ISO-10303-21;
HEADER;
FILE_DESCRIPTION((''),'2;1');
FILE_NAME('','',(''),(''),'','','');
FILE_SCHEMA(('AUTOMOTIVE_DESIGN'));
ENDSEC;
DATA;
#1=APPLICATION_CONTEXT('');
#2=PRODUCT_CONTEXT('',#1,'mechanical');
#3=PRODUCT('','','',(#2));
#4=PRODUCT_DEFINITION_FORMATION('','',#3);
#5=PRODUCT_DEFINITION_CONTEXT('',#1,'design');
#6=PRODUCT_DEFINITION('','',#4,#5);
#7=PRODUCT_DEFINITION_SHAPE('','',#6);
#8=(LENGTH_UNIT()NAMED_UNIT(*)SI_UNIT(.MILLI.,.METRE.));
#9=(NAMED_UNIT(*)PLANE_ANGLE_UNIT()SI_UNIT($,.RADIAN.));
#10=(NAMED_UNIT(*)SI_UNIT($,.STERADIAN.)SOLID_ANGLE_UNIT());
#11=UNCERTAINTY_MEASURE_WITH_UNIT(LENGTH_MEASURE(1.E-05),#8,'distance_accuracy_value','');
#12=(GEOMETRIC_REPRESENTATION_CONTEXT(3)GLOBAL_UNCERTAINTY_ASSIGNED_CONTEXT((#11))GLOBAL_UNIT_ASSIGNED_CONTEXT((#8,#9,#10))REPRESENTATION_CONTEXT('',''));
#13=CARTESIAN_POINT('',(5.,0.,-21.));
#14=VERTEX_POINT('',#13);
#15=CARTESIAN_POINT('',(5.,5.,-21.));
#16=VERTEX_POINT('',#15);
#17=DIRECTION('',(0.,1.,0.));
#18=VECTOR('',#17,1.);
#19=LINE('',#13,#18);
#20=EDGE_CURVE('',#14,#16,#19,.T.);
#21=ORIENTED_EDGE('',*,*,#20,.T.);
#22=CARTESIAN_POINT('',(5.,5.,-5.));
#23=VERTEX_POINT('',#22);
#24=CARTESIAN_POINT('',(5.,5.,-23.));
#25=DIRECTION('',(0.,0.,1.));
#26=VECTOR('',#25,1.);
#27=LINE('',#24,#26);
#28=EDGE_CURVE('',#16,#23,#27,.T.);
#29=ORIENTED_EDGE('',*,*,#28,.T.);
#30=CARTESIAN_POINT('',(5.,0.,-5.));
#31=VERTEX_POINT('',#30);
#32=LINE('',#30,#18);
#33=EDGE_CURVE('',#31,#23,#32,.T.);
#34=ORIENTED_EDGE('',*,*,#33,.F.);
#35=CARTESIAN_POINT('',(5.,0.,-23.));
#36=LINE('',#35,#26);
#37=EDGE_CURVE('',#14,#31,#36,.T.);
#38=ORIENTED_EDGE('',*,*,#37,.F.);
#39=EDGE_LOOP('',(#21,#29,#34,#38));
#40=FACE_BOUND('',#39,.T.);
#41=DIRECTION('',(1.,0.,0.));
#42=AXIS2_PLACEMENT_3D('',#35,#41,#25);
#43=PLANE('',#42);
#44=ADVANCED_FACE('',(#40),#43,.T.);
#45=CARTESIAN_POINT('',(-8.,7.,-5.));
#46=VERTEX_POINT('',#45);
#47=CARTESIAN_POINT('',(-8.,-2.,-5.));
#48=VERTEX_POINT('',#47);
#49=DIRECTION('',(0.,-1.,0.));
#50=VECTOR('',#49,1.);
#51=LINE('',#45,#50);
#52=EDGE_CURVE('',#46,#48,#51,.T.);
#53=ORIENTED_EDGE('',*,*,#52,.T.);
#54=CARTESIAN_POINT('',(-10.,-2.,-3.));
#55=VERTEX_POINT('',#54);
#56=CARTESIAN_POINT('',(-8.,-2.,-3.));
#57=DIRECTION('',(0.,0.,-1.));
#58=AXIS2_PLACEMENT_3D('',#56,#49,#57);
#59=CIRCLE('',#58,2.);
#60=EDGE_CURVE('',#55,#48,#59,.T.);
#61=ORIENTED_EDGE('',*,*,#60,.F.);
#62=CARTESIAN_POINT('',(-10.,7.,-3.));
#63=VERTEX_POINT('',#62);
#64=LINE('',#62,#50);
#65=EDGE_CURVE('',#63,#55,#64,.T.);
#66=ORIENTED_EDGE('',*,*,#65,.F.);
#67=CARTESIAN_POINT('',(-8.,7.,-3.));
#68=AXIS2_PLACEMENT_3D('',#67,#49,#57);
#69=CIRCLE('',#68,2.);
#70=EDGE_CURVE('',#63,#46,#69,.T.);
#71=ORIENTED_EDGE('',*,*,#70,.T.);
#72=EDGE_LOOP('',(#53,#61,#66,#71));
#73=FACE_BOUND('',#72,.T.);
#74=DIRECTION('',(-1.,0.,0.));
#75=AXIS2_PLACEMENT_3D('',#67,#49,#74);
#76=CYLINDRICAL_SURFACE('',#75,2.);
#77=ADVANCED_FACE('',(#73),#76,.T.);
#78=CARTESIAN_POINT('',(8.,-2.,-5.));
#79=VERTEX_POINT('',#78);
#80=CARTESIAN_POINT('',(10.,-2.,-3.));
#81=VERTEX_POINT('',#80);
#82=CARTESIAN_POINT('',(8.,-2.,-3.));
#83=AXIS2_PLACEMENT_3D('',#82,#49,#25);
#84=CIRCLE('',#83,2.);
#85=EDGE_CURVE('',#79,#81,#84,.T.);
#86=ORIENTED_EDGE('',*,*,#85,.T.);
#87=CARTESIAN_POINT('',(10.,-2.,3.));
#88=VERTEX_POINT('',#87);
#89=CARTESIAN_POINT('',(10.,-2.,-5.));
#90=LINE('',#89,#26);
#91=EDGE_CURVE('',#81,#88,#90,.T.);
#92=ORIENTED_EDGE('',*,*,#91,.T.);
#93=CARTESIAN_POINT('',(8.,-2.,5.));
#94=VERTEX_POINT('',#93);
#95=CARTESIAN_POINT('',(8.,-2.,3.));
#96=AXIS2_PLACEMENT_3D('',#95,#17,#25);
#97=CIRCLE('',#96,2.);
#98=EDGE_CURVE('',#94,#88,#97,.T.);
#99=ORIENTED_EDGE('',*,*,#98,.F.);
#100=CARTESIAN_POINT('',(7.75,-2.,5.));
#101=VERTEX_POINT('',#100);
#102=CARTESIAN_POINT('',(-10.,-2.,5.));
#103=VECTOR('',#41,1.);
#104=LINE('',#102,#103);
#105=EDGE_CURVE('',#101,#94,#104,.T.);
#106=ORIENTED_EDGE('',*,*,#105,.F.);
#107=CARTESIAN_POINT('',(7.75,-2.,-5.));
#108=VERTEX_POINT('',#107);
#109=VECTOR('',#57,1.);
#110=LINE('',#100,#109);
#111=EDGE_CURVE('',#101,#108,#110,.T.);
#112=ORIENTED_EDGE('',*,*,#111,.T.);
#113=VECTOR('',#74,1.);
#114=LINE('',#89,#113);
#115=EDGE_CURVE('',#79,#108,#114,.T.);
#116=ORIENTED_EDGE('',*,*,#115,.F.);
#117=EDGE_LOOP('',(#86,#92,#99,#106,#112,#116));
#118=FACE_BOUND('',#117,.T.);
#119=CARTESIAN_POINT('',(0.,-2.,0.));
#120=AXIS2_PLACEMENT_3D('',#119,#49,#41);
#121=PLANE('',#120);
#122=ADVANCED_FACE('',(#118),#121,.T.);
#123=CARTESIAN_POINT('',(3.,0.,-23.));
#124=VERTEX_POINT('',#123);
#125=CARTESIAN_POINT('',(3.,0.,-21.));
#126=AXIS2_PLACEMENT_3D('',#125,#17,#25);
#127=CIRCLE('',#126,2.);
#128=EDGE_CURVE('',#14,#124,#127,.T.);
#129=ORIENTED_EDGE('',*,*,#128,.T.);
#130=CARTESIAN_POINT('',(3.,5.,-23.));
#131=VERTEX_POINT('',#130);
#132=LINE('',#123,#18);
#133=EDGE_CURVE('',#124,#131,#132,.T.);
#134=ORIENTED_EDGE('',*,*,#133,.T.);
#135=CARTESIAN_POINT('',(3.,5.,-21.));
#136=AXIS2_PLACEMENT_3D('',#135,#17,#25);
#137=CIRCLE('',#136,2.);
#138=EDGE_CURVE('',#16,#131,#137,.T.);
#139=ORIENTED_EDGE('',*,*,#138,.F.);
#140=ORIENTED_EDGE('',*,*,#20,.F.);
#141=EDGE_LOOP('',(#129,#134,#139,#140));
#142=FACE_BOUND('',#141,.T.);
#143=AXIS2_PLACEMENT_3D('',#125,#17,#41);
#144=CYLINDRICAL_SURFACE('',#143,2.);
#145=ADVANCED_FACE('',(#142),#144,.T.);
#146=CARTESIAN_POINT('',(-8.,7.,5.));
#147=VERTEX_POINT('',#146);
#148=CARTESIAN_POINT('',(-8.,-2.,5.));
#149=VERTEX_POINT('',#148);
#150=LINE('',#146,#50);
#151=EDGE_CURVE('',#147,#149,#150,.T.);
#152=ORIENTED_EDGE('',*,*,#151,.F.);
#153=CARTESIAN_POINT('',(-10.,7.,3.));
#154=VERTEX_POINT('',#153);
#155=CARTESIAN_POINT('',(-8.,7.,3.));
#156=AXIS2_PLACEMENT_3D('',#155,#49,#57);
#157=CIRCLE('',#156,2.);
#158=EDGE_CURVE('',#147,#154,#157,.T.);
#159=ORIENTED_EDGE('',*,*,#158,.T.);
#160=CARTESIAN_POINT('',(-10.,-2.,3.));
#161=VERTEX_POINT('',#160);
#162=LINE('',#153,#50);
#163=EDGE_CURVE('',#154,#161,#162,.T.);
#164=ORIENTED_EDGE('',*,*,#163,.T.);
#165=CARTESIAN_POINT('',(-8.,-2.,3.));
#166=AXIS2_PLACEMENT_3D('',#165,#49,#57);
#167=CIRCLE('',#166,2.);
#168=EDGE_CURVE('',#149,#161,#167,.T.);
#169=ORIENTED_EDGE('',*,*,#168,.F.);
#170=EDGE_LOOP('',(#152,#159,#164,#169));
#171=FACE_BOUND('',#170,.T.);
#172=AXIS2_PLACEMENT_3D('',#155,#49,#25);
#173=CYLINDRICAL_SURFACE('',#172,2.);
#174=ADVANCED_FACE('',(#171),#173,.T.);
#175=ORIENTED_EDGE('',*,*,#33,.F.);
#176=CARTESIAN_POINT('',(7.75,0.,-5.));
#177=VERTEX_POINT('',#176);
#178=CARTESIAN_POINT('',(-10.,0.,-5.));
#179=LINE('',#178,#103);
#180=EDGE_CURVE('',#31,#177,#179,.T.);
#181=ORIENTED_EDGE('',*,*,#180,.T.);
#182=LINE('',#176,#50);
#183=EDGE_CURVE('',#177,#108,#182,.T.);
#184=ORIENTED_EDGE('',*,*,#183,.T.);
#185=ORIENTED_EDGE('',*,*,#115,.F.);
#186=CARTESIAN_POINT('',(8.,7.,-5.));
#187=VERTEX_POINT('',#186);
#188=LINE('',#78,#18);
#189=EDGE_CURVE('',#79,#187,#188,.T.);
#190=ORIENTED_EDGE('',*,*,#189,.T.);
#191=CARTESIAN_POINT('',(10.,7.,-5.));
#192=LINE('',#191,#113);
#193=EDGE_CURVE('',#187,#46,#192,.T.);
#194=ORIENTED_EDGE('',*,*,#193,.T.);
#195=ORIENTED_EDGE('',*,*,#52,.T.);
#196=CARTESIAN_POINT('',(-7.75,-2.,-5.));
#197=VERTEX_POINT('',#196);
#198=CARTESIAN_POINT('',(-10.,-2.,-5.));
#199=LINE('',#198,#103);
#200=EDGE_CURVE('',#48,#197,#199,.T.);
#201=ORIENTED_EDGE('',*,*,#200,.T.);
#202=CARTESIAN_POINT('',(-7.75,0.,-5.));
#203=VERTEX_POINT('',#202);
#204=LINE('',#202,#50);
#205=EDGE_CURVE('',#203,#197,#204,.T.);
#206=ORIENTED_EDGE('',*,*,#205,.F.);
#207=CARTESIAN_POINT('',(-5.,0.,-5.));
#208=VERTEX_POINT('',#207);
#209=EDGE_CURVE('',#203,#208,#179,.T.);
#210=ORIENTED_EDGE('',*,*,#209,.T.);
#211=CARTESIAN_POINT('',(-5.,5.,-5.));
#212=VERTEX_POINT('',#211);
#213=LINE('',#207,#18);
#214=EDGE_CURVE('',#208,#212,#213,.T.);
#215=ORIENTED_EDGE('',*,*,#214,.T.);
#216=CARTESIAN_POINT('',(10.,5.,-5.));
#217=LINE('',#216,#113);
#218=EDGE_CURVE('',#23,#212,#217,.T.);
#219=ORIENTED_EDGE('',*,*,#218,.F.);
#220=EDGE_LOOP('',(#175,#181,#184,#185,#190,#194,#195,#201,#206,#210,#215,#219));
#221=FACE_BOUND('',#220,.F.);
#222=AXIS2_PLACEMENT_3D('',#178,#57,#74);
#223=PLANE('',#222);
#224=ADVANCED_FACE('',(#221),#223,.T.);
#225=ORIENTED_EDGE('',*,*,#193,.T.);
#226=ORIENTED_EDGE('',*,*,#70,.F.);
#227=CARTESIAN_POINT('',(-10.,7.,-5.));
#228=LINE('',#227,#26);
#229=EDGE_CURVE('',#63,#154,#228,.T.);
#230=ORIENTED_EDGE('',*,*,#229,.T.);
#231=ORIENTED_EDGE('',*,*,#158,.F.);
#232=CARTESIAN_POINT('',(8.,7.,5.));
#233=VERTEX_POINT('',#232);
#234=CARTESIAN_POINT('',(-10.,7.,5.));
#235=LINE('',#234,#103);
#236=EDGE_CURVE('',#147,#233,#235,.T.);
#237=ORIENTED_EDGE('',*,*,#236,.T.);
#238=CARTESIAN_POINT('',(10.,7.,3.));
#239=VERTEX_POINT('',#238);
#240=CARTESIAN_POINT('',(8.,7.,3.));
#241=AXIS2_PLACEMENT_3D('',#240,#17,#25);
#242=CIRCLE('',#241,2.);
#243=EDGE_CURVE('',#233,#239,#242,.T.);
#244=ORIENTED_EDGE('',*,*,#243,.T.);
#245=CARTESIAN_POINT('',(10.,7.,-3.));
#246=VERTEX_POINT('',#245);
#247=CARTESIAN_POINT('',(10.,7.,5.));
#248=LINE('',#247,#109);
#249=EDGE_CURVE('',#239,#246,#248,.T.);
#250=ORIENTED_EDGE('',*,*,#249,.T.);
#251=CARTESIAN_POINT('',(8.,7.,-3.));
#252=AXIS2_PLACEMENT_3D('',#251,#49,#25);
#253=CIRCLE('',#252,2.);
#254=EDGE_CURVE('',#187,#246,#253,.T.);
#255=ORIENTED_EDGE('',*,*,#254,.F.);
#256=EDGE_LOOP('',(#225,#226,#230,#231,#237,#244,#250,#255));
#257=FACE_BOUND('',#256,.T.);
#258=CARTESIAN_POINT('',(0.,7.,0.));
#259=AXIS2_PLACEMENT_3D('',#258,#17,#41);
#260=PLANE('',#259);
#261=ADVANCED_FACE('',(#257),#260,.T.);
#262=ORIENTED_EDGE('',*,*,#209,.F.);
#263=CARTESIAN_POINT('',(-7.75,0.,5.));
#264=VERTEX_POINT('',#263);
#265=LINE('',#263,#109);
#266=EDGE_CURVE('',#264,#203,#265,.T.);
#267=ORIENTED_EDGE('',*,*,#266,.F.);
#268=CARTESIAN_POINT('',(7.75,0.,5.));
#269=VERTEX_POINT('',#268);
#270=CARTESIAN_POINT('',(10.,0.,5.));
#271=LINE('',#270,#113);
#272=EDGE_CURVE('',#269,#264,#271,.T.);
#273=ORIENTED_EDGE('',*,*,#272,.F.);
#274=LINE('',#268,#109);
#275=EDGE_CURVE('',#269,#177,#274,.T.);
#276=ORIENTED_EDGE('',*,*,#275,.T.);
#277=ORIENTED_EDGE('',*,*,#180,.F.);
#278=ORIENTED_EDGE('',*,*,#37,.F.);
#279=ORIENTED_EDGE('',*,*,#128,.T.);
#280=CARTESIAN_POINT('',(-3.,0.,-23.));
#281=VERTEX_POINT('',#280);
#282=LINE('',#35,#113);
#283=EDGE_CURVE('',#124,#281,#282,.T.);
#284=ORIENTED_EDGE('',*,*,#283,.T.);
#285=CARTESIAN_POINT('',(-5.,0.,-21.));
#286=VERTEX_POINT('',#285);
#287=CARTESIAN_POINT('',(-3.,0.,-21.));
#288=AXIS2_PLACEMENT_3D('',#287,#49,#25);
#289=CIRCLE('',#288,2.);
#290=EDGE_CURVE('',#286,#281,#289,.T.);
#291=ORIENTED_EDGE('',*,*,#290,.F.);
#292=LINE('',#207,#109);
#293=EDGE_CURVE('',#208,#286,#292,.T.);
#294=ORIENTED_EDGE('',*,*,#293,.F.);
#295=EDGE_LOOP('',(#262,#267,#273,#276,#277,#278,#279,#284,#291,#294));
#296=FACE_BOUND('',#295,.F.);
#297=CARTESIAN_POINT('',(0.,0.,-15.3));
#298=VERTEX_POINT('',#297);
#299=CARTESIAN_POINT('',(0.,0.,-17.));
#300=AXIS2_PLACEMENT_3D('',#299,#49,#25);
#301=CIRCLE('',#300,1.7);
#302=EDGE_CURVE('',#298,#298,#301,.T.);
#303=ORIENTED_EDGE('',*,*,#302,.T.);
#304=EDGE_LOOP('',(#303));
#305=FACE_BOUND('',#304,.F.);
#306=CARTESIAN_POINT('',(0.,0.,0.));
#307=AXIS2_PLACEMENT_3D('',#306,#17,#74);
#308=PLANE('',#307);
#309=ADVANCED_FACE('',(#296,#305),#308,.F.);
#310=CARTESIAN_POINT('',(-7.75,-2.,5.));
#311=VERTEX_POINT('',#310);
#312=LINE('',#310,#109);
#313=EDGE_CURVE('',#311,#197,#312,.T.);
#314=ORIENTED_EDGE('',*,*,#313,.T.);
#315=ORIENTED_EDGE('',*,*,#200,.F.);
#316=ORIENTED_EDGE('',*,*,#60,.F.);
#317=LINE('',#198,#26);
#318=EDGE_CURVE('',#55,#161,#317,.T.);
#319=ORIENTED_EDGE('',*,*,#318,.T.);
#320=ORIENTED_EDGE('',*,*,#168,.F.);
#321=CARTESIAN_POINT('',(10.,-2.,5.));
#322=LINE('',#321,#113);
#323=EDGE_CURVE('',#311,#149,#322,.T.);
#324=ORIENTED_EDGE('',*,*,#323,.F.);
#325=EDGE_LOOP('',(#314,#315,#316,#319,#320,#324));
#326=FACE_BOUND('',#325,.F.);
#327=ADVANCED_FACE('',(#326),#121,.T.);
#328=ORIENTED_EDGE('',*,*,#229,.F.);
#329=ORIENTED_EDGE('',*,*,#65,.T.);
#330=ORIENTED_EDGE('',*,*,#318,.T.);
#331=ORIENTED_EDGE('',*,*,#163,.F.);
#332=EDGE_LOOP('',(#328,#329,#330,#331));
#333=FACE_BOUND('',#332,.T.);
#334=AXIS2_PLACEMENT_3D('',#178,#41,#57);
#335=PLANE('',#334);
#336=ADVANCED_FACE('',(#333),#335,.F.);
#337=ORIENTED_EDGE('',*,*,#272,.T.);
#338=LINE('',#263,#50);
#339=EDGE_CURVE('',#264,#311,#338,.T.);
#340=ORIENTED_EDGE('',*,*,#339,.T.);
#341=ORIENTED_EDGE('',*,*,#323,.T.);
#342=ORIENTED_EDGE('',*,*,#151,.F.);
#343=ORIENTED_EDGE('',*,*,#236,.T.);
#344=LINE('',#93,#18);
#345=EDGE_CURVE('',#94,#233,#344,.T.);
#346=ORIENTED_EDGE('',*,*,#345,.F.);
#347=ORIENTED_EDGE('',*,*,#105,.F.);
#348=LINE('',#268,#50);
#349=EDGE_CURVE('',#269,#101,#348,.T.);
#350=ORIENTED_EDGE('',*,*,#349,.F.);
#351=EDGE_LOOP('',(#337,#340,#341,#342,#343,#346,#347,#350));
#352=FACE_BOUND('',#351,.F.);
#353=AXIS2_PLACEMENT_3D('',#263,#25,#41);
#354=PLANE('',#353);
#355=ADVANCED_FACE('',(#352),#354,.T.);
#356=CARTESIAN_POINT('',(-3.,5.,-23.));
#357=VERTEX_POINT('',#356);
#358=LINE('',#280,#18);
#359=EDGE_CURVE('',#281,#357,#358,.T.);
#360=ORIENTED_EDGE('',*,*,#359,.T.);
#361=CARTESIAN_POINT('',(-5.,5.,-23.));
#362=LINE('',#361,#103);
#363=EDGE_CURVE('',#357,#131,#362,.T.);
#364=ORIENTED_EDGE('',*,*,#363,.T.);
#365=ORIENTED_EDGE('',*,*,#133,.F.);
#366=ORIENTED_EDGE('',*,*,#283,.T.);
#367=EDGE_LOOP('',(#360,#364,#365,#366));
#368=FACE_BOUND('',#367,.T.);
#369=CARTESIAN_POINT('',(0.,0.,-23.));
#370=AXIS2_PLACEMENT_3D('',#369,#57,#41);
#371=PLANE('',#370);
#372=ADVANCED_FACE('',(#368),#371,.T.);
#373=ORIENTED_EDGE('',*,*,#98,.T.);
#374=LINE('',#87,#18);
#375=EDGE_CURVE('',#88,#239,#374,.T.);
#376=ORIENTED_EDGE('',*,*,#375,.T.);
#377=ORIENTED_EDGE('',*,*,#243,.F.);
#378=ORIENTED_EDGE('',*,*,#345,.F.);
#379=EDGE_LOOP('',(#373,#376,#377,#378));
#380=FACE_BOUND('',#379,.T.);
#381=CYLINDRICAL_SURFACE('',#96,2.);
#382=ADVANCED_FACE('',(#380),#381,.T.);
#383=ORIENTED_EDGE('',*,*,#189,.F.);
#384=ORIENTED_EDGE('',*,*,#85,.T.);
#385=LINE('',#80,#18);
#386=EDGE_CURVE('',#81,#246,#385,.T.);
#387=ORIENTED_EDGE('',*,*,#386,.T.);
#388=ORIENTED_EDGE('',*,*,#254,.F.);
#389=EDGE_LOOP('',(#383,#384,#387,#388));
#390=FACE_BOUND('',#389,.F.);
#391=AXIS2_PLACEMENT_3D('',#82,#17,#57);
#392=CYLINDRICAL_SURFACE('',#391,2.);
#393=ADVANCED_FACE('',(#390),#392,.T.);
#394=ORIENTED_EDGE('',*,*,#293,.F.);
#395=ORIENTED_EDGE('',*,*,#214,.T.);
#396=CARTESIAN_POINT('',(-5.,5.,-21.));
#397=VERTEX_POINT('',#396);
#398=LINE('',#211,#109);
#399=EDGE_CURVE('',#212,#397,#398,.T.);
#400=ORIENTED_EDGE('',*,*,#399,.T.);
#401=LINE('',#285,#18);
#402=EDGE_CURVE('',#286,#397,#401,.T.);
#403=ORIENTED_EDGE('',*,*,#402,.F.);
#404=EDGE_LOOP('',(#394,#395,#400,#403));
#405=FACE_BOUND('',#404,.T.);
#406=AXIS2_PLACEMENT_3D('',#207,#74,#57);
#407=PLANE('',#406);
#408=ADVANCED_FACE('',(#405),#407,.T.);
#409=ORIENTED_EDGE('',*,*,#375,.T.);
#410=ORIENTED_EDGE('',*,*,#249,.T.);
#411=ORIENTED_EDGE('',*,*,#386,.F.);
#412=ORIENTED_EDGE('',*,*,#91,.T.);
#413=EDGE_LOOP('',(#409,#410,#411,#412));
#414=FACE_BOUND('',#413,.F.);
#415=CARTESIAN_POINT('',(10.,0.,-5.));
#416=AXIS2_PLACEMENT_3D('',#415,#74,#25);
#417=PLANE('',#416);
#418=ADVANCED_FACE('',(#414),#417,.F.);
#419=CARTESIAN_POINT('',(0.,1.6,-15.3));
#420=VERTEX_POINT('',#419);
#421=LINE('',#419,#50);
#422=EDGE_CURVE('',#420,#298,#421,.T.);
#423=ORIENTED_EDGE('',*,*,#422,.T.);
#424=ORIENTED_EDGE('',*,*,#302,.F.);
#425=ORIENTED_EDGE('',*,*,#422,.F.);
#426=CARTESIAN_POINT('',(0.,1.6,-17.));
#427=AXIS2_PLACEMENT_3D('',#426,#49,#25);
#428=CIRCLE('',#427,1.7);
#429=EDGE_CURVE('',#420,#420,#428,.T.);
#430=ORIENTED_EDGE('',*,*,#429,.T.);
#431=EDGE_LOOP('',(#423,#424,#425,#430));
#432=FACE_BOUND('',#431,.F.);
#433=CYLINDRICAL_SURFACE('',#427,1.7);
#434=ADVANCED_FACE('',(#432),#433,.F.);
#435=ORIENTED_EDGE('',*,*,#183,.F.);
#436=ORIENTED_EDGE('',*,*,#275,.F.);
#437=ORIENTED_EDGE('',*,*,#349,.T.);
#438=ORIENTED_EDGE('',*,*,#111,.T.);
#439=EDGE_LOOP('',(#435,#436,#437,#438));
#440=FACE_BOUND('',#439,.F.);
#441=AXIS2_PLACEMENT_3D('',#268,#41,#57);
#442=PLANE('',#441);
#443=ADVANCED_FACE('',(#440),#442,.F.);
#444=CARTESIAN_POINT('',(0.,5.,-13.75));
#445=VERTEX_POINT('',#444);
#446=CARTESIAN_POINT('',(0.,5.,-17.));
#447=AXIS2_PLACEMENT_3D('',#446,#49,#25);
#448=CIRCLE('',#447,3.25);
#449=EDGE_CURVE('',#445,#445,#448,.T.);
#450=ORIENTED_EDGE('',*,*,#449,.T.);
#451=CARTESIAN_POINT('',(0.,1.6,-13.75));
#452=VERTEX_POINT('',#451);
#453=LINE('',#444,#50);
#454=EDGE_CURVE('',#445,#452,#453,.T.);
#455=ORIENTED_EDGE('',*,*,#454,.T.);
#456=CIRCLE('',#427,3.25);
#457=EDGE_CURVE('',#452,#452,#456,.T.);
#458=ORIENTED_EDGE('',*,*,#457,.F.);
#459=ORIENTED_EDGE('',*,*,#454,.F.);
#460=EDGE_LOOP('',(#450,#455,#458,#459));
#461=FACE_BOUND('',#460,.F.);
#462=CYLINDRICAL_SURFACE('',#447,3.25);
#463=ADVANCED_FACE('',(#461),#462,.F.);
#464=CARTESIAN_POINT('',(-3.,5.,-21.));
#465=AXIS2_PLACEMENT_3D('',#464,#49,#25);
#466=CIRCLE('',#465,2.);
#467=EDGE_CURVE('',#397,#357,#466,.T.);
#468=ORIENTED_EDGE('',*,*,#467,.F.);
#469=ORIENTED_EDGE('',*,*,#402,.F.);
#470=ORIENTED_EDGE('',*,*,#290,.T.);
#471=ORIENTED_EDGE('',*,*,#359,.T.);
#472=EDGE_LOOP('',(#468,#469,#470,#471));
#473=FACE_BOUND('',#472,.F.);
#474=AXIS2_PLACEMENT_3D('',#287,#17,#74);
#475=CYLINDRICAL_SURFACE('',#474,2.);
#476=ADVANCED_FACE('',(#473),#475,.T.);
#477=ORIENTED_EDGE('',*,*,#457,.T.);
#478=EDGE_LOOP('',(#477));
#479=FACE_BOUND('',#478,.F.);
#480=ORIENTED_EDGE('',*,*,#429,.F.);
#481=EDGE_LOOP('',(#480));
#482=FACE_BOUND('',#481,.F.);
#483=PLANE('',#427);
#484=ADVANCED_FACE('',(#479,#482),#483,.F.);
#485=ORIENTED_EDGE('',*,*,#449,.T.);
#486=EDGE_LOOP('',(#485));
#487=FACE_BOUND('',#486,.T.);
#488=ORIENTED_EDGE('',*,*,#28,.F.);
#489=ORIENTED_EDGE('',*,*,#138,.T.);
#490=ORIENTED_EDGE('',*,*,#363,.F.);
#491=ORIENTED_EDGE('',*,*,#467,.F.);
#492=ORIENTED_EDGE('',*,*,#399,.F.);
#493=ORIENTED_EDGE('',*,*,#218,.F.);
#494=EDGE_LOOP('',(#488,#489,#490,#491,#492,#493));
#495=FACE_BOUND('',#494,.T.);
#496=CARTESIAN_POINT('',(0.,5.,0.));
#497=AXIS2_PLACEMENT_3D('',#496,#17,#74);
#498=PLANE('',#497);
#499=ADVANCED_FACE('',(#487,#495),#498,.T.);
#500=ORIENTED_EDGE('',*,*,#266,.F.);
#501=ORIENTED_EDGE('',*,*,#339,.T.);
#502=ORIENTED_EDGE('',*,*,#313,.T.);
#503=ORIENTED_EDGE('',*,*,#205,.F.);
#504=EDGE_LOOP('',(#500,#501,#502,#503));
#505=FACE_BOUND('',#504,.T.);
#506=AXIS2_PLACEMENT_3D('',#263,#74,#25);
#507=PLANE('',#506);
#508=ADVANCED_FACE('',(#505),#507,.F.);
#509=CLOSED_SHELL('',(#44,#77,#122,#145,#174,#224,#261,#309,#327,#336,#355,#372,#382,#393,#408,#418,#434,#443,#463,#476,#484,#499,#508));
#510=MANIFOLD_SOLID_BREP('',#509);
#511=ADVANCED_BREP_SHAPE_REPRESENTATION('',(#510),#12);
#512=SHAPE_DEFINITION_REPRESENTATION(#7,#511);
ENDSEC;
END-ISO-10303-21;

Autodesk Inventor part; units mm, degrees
ref_plane "YZ Plane" through (0, 0, 0) normal (1, 0, 0) x (0, 1, 0)
ref_plane "XZ Plane" through (0, 0, 0) normal (0, 1, 0) x (-1, 0, 0)
ref_plane "XY Plane" through (0, 0, 0) normal (0, 0, 1) x (1, 0, 0)
sketch "Skizze1" plane through (0, 0, 0) normal (0, 1, 0) x (-1, 0, 0)
  line L0 (0, -28.6) -> (0, 10.6) projected
  line L1 (-14, 0) -> (14, 0) projected
  line L2 (-10, 5) -> (10, 5)
  line L3 (10, 5) -> (10, -5)
  line L4 (10, -5) -> (-10, -5)
  line L5 (-10, -5) -> (-10, 5)
  line L6 (-10, 5) -> (10, -5) construction
  line L7 (10, 5) -> (-10, -5) construction
  line L8 (-5, -5) -> (5, -5)
  line L9 (5, -5) -> (5, -23)
  line L10 (5, -23) -> (-5, -23)
  line L11 (-5, -23) -> (-5, -5)
  line L12 (-5, -5) -> (5, -23) construction
  line L13 (5, -5) -> (-5, -23) construction
  point P0 (0, 0)
  point P1 (0, -14)
  point P2 (-5, -5)
  point P3 (5, -5)
  dimension "d0" = 20
  dimension "d1" = 10
  dimension "d2" = 10
  dimension "d3" = 18
extrude "Extrusion1" add sketch "Skizze1" along normal blind 5
sketch "Skizze2" plane through (0, 5, 0) normal (0, 1, 0) x (1, 0, 0)
  line L0 (0, 28.6) -> (0, -10.6) projected
  line L1 (5, 23) -> (-5, 23) projected
  line L2 (-10, -5) -> (10, -5) projected
  point P0 (0, 0)
  point P1 (0, 17)
  dimension "d14" = 22
hole "Bohrung1" at (0, 5, -17) direction (0, -1, 0) diameter 3.4 end through all counterbore diameter 6.5 counterbore depth 3.4 clearance for "Inbusschraube ISO 4762" size "M3" standard "ISO"
sketch "Skizze3" plane through (0, 5, 0) normal (0, 1, 0) x (1, 0, 0)
  line L0 (-10, -5) -> (10, -5) projected
  line L1 (10, -5) -> (10, 5) projected
  line L2 (-10, -5) -> (10, -5)
  line L3 (10, -5) -> (10, 5)
  line L4 (10, 5) -> (-10, 5)
  line L5 (-10, 5) -> (-10, -5)
  point P0 (0, 0)
extrude "Extrusion2" add sketch "Skizze3" along normal blind 2
sketch "Skizze4" plane through (0, 0, 0) normal (0, -1, 0) x (1, 0, 0)
  line L0 (-10, 5) -> (10, 5) projected
  line L1 (10, -5) -> (5, -5) projected
  line L2 (10, 5) -> (7.75, 5)
  line L3 (7.75, 5) -> (7.75, -5)
  line L4 (7.75, -5) -> (10, -5)
  line L5 (10, -5) -> (10, 5)
  point P0 (0, 0)
  dimension "d17" = 2.25
extrude "Extrusion3" add sketch "Skizze4" along normal blind 2
mirror "Spiegeln1" about plane through (0, 0, 0) normal (1, 0, 0) of "Extrusion3"
fillet "Rundung1" radius 2 4 edges at (5, 2.5, -23) (-5, 2.5, -23) (10, 2.5, 5) (-10, 2.5, 5)
fillet "Rundung2" radius 2 2 edges at (10, 2.5, -5) (-10, 2.5, -5)
properties part number "28_Switch_Holder_Y" material "PET-Kunststoff"
